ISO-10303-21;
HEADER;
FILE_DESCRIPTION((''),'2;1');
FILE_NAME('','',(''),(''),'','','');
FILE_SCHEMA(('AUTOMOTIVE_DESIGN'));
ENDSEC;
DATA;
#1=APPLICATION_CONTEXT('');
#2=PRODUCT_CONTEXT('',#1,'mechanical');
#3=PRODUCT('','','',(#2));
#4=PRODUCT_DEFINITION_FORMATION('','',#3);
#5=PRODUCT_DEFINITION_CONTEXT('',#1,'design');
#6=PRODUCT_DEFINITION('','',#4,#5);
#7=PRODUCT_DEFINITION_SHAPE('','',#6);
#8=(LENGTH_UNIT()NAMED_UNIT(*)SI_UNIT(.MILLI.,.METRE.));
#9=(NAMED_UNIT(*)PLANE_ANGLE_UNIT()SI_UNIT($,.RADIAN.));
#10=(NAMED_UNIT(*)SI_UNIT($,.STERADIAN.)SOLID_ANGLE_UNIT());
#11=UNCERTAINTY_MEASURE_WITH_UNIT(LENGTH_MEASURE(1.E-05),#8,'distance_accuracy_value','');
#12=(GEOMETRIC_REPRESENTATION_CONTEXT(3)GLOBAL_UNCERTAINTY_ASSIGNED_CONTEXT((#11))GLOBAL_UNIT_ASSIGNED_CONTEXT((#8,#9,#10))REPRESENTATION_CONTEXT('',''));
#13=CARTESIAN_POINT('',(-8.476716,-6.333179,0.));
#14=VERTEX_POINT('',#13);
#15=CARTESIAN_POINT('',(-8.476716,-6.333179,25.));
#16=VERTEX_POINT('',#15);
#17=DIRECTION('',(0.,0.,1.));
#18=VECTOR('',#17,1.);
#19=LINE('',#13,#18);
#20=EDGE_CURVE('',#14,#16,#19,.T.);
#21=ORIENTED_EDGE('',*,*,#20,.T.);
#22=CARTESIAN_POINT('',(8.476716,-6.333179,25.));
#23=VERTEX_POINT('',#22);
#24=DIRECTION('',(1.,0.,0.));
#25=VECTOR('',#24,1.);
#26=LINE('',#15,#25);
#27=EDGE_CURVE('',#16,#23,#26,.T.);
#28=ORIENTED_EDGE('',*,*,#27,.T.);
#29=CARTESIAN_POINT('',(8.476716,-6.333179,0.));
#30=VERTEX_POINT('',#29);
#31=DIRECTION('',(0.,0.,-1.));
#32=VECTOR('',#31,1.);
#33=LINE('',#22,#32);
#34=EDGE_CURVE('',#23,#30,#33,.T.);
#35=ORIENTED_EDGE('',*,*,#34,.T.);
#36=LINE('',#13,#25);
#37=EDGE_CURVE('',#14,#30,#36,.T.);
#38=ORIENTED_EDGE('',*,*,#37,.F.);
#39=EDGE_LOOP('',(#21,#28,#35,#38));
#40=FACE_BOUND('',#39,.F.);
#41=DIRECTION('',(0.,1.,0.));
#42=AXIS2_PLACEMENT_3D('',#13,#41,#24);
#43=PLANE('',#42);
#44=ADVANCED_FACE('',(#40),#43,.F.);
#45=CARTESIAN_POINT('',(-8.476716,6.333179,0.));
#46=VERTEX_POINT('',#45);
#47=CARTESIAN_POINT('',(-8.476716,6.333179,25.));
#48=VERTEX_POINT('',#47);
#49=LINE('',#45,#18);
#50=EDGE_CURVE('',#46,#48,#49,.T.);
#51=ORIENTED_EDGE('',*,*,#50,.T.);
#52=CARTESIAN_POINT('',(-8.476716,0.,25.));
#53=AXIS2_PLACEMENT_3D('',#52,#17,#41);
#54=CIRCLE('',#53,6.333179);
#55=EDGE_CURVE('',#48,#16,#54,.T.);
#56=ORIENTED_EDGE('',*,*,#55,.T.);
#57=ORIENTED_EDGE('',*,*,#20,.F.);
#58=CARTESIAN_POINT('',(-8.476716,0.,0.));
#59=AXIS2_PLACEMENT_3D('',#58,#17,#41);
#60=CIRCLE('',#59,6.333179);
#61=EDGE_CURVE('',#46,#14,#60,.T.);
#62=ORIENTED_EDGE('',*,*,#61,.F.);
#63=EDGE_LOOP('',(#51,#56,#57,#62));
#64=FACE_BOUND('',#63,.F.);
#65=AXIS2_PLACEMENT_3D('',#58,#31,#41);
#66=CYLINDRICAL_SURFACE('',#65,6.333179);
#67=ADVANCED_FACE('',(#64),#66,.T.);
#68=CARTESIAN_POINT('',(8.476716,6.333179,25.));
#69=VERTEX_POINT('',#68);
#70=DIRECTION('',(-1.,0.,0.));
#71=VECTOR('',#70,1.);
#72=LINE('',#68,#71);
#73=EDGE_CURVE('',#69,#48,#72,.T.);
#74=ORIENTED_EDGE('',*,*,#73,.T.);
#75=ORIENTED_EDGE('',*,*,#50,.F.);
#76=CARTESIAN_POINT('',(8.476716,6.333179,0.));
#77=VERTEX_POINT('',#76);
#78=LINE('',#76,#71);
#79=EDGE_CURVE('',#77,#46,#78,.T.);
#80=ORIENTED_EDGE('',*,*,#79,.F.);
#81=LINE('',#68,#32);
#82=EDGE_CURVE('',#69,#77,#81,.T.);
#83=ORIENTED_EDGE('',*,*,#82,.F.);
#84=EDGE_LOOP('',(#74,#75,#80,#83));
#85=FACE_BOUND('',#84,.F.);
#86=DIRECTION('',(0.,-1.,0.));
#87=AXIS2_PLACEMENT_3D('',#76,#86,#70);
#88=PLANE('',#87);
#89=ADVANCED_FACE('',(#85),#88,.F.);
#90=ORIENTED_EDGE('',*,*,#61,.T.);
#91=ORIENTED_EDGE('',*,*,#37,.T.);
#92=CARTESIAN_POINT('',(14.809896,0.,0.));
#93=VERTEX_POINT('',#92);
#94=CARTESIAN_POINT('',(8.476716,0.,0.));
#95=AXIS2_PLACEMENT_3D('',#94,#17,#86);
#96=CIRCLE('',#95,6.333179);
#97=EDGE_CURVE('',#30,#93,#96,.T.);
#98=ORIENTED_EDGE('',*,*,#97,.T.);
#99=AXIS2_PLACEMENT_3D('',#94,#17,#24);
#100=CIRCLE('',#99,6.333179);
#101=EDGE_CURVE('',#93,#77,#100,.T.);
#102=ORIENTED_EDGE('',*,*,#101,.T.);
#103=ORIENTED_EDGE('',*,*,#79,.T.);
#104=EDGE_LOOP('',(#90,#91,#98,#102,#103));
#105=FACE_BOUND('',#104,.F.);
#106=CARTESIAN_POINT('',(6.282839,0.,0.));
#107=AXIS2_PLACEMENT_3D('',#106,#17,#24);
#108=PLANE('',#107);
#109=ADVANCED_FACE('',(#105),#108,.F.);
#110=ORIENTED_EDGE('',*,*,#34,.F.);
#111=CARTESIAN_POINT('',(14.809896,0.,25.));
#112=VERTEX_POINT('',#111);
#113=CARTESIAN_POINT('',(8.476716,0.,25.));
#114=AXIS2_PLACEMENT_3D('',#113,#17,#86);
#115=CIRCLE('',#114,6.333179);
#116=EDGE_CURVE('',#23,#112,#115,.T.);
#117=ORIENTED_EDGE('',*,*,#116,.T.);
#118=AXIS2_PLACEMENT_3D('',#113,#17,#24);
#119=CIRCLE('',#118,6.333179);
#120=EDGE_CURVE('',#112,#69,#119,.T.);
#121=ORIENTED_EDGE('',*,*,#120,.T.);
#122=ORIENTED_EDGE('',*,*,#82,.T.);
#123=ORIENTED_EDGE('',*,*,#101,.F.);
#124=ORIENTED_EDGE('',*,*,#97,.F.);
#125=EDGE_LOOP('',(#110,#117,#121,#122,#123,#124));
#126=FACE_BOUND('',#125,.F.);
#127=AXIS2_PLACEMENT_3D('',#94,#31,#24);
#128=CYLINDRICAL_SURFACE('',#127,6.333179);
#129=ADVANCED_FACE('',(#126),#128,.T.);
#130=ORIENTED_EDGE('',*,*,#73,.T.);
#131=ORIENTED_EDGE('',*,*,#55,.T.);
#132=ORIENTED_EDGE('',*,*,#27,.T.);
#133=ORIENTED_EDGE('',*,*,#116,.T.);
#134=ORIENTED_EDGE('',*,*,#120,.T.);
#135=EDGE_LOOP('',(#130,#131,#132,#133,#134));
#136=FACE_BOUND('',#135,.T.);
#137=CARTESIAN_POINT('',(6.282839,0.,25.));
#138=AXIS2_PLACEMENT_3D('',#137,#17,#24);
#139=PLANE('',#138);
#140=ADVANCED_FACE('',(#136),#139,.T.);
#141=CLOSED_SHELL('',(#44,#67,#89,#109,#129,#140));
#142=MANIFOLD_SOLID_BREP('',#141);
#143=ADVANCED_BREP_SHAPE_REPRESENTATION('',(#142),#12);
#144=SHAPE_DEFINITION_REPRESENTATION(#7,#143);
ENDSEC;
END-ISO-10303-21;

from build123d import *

# Parameters (mm, degrees)
F1_DEPTH = 2
F2_DEPTH = 25


with BuildPart() as f1:
    # F0 (on Top) → F1 (new body)
    with BuildSketch(Plane.XY):
        with BuildLine():
            ThreePointArc((8.4767164662, 6.3331793062), (2.14353716, 0), (8.4767164662, -6.3331793062))
            Line((8.4767164662, -6.3331793062), (8.4767164662, 6.3331793062))
        make_face()
        with BuildLine():
            Line((-8.4767164662, -6.3331793062), (8.4767164662, -6.3331793062))
            ThreePointArc((8.4767164662, -6.3331793062), (2.14353716, 0), (8.4767164662, 6.3331793062))
            Line((8.4767164662, 6.3331793062), (-8.4767164662, 6.3331793062))
            ThreePointArc((-8.4767164662, 6.3331793062), (-3.9984824323, 4.4782340339), (-2.14353716, 0))
            ThreePointArc((-2.14353716, 0), (-3.9984824323, -4.4782340339), (-8.4767164662, -6.3331793062))
        make_face()
        with BuildLine():
            Line((8.4767164662, 6.3331793062), (8.4767164662, -6.3331793062))
            ThreePointArc((8.4767164662, -6.3331793062), (12.9549505002, -4.4782340339), (14.8098957725, 0))
            ThreePointArc((14.8098957725, 0), (12.9549505002, 4.4782340339), (8.4767164662, 6.3331793062))
        make_face()
        with BuildLine():
            ThreePointArc((-8.4767164662, 6.3331793062), (-14.8098957725, 0), (-8.4767164662, -6.3331793062))
            Line((-8.4767164662, -6.3331793062), (-8.4767164662, 6.3331793062))
        make_face()
        with BuildLine():
            Line((-8.4767164662, 6.3331793062), (-8.4767164662, -6.3331793062))
            ThreePointArc((-8.4767164662, -6.3331793062), (-3.9984824323, -4.4782340339), (-2.14353716, 0))
            ThreePointArc((-2.14353716, 0), (-3.9984824323, 4.4782340339), (-8.4767164662, 6.3331793062))
        make_face()
    extrude(amount=F1_DEPTH)

    # F0 (on Top) → F2 (join)
    with BuildSketch(Plane.XY):
        with BuildLine():
            ThreePointArc((8.4767164662, 6.3331793062), (2.14353716, 0), (8.4767164662, -6.3331793062))
            Line((8.4767164662, -6.3331793062), (8.4767164662, 6.3331793062))
        make_face()
        with BuildLine():
            Line((-8.4767164662, -6.3331793062), (8.4767164662, -6.3331793062))
            ThreePointArc((8.4767164662, -6.3331793062), (2.14353716, 0), (8.4767164662, 6.3331793062))
            Line((8.4767164662, 6.3331793062), (-8.4767164662, 6.3331793062))
            ThreePointArc((-8.4767164662, 6.3331793062), (-3.9984824323, 4.4782340339), (-2.14353716, 0))
            ThreePointArc((-2.14353716, 0), (-3.9984824323, -4.4782340339), (-8.4767164662, -6.3331793062))
        make_face()
        with BuildLine():
            Line((8.4767164662, 6.3331793062), (8.4767164662, -6.3331793062))
            ThreePointArc((8.4767164662, -6.3331793062), (12.9549505002, -4.4782340339), (14.8098957725, 0))
            ThreePointArc((14.8098957725, 0), (12.9549505002, 4.4782340339), (8.4767164662, 6.3331793062))
        make_face()
        with BuildLine():
            ThreePointArc((-8.4767164662, 6.3331793062), (-14.8098957725, 0), (-8.4767164662, -6.3331793062))
            Line((-8.4767164662, -6.3331793062), (-8.4767164662, 6.3331793062))
        make_face()
        with BuildLine():
            Line((-8.4767164662, 6.3331793062), (-8.4767164662, -6.3331793062))
            ThreePointArc((-8.4767164662, -6.3331793062), (-3.9984824323, -4.4782340339), (-2.14353716, 0))
            ThreePointArc((-2.14353716, 0), (-3.9984824323, 4.4782340339), (-8.4767164662, 6.3331793062))
        make_face()
    extrude(amount=F2_DEPTH)


solid = f1.part
